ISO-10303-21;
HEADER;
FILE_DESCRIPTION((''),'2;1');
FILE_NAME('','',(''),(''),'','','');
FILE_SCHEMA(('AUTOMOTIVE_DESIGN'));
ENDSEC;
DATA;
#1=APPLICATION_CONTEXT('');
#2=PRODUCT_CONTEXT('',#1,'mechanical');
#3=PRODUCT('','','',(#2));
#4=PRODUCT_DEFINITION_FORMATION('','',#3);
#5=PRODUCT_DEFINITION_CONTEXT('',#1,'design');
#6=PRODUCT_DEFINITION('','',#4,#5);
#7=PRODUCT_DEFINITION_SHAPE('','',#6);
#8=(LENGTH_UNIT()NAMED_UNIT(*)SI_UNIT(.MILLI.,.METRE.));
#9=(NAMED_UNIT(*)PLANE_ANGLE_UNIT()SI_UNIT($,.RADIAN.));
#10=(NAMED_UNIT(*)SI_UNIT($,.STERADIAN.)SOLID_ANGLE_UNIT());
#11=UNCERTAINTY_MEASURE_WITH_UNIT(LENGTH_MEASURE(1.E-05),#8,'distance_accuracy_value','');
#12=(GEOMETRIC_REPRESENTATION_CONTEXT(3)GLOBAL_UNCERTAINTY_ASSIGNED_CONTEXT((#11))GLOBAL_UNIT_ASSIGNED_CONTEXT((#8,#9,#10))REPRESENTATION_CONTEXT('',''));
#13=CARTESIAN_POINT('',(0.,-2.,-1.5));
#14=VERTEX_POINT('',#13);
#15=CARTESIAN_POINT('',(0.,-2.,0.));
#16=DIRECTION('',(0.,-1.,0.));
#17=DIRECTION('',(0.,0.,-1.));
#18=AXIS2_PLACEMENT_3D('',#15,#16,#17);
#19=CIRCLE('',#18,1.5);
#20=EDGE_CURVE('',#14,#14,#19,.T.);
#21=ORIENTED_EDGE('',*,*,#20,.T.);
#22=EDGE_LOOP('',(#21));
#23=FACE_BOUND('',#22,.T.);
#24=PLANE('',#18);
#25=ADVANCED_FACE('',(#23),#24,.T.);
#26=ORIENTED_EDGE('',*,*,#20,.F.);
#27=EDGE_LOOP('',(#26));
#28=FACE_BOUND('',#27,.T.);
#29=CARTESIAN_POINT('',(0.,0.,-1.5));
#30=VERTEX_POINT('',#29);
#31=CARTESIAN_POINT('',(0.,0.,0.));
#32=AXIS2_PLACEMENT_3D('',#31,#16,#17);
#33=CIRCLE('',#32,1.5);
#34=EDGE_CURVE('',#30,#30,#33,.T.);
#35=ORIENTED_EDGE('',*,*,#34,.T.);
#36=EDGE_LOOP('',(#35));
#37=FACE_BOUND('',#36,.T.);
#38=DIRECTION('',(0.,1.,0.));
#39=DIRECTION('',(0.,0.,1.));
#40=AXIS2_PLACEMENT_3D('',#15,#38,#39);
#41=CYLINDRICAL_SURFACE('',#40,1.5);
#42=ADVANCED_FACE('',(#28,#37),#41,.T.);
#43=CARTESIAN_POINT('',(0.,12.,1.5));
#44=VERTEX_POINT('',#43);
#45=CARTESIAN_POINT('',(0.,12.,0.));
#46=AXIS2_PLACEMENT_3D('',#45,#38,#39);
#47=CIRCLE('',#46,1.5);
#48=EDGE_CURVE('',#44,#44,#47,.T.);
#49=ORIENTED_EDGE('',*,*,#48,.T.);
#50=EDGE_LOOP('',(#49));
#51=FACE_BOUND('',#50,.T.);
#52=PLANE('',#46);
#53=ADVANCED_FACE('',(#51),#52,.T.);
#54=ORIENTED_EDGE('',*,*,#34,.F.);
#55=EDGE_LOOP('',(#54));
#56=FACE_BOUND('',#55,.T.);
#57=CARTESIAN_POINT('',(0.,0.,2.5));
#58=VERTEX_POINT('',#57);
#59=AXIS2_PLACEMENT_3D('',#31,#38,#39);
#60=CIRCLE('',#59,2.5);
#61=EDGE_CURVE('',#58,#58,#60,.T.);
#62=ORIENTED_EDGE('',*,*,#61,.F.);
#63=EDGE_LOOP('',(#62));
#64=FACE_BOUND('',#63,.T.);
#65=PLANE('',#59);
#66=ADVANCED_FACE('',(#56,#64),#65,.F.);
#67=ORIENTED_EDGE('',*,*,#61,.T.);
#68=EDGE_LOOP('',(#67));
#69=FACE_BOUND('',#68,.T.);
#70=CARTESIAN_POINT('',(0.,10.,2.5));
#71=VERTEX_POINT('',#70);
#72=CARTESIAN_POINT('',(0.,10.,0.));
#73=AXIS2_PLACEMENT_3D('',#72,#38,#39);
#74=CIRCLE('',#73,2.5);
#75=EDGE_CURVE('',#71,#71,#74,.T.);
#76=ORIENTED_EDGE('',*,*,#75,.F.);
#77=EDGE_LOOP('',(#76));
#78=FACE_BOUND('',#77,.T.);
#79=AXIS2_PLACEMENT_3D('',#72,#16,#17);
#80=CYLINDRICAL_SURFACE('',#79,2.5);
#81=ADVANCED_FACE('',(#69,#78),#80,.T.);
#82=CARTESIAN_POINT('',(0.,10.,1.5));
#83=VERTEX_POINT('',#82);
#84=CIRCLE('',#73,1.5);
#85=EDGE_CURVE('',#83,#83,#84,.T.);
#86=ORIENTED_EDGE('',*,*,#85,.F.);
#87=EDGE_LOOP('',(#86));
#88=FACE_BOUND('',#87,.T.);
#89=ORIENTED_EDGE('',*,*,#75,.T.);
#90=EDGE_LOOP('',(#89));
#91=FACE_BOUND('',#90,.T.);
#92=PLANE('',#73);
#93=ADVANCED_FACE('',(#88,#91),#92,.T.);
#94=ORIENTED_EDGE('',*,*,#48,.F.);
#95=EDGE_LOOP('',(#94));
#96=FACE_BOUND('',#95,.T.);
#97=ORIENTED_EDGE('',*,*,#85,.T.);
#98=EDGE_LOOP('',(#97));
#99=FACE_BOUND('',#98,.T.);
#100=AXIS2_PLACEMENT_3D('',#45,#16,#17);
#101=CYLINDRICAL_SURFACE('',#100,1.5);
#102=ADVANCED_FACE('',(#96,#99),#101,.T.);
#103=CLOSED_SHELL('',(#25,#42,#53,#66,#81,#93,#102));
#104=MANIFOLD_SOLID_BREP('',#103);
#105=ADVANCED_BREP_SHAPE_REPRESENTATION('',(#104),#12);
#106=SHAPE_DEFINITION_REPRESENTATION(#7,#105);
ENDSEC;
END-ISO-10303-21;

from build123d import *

# Parameters (mm, degrees)
SKETCH_1_R      = 2.5
EXTRUDE_1_DEPTH = 10
SKETCH_2_R      = 1.5
EXTRUDE_2_DEPTH = 2
EXTRUDE_START   = 2
SKETCH_4_R      = 1.5
EXTRUDE_3_DEPTH = 2


with BuildPart() as part:
    # Эскиз1 → Бобышка-Вытянуть1 (new body)
    with BuildSketch(Plane(origin=(0, 0, 0), x_dir=(1, 0, 0), z_dir=(0, 1, 0))):
        with Locations(Location((0, 0, 0), (0, 0, 270))):
            Circle(SKETCH_1_R)
    extrude(amount=EXTRUDE_1_DEPTH)

    # Эскиз2 → Бобышка-Вытянуть2 (add)
    with BuildSketch(Plane(origin=(0, 10, 0), x_dir=(1, 0, 0), z_dir=(0, 1, 0))):
        with Locations(Location((0, 0, 0), (0, 0, 270))):
            Circle(SKETCH_2_R)
    extrude(amount=EXTRUDE_2_DEPTH)

    # Эскиз4 → Бобышка-Вытянуть3 (add)
    with BuildSketch(Plane.XZ.offset(EXTRUDE_START)):
        with Locations(Location((0, 0, 0), (0, 0, 90))):
            Circle(SKETCH_4_R)
    extrude(amount=-EXTRUDE_3_DEPTH)


solid = part.part
